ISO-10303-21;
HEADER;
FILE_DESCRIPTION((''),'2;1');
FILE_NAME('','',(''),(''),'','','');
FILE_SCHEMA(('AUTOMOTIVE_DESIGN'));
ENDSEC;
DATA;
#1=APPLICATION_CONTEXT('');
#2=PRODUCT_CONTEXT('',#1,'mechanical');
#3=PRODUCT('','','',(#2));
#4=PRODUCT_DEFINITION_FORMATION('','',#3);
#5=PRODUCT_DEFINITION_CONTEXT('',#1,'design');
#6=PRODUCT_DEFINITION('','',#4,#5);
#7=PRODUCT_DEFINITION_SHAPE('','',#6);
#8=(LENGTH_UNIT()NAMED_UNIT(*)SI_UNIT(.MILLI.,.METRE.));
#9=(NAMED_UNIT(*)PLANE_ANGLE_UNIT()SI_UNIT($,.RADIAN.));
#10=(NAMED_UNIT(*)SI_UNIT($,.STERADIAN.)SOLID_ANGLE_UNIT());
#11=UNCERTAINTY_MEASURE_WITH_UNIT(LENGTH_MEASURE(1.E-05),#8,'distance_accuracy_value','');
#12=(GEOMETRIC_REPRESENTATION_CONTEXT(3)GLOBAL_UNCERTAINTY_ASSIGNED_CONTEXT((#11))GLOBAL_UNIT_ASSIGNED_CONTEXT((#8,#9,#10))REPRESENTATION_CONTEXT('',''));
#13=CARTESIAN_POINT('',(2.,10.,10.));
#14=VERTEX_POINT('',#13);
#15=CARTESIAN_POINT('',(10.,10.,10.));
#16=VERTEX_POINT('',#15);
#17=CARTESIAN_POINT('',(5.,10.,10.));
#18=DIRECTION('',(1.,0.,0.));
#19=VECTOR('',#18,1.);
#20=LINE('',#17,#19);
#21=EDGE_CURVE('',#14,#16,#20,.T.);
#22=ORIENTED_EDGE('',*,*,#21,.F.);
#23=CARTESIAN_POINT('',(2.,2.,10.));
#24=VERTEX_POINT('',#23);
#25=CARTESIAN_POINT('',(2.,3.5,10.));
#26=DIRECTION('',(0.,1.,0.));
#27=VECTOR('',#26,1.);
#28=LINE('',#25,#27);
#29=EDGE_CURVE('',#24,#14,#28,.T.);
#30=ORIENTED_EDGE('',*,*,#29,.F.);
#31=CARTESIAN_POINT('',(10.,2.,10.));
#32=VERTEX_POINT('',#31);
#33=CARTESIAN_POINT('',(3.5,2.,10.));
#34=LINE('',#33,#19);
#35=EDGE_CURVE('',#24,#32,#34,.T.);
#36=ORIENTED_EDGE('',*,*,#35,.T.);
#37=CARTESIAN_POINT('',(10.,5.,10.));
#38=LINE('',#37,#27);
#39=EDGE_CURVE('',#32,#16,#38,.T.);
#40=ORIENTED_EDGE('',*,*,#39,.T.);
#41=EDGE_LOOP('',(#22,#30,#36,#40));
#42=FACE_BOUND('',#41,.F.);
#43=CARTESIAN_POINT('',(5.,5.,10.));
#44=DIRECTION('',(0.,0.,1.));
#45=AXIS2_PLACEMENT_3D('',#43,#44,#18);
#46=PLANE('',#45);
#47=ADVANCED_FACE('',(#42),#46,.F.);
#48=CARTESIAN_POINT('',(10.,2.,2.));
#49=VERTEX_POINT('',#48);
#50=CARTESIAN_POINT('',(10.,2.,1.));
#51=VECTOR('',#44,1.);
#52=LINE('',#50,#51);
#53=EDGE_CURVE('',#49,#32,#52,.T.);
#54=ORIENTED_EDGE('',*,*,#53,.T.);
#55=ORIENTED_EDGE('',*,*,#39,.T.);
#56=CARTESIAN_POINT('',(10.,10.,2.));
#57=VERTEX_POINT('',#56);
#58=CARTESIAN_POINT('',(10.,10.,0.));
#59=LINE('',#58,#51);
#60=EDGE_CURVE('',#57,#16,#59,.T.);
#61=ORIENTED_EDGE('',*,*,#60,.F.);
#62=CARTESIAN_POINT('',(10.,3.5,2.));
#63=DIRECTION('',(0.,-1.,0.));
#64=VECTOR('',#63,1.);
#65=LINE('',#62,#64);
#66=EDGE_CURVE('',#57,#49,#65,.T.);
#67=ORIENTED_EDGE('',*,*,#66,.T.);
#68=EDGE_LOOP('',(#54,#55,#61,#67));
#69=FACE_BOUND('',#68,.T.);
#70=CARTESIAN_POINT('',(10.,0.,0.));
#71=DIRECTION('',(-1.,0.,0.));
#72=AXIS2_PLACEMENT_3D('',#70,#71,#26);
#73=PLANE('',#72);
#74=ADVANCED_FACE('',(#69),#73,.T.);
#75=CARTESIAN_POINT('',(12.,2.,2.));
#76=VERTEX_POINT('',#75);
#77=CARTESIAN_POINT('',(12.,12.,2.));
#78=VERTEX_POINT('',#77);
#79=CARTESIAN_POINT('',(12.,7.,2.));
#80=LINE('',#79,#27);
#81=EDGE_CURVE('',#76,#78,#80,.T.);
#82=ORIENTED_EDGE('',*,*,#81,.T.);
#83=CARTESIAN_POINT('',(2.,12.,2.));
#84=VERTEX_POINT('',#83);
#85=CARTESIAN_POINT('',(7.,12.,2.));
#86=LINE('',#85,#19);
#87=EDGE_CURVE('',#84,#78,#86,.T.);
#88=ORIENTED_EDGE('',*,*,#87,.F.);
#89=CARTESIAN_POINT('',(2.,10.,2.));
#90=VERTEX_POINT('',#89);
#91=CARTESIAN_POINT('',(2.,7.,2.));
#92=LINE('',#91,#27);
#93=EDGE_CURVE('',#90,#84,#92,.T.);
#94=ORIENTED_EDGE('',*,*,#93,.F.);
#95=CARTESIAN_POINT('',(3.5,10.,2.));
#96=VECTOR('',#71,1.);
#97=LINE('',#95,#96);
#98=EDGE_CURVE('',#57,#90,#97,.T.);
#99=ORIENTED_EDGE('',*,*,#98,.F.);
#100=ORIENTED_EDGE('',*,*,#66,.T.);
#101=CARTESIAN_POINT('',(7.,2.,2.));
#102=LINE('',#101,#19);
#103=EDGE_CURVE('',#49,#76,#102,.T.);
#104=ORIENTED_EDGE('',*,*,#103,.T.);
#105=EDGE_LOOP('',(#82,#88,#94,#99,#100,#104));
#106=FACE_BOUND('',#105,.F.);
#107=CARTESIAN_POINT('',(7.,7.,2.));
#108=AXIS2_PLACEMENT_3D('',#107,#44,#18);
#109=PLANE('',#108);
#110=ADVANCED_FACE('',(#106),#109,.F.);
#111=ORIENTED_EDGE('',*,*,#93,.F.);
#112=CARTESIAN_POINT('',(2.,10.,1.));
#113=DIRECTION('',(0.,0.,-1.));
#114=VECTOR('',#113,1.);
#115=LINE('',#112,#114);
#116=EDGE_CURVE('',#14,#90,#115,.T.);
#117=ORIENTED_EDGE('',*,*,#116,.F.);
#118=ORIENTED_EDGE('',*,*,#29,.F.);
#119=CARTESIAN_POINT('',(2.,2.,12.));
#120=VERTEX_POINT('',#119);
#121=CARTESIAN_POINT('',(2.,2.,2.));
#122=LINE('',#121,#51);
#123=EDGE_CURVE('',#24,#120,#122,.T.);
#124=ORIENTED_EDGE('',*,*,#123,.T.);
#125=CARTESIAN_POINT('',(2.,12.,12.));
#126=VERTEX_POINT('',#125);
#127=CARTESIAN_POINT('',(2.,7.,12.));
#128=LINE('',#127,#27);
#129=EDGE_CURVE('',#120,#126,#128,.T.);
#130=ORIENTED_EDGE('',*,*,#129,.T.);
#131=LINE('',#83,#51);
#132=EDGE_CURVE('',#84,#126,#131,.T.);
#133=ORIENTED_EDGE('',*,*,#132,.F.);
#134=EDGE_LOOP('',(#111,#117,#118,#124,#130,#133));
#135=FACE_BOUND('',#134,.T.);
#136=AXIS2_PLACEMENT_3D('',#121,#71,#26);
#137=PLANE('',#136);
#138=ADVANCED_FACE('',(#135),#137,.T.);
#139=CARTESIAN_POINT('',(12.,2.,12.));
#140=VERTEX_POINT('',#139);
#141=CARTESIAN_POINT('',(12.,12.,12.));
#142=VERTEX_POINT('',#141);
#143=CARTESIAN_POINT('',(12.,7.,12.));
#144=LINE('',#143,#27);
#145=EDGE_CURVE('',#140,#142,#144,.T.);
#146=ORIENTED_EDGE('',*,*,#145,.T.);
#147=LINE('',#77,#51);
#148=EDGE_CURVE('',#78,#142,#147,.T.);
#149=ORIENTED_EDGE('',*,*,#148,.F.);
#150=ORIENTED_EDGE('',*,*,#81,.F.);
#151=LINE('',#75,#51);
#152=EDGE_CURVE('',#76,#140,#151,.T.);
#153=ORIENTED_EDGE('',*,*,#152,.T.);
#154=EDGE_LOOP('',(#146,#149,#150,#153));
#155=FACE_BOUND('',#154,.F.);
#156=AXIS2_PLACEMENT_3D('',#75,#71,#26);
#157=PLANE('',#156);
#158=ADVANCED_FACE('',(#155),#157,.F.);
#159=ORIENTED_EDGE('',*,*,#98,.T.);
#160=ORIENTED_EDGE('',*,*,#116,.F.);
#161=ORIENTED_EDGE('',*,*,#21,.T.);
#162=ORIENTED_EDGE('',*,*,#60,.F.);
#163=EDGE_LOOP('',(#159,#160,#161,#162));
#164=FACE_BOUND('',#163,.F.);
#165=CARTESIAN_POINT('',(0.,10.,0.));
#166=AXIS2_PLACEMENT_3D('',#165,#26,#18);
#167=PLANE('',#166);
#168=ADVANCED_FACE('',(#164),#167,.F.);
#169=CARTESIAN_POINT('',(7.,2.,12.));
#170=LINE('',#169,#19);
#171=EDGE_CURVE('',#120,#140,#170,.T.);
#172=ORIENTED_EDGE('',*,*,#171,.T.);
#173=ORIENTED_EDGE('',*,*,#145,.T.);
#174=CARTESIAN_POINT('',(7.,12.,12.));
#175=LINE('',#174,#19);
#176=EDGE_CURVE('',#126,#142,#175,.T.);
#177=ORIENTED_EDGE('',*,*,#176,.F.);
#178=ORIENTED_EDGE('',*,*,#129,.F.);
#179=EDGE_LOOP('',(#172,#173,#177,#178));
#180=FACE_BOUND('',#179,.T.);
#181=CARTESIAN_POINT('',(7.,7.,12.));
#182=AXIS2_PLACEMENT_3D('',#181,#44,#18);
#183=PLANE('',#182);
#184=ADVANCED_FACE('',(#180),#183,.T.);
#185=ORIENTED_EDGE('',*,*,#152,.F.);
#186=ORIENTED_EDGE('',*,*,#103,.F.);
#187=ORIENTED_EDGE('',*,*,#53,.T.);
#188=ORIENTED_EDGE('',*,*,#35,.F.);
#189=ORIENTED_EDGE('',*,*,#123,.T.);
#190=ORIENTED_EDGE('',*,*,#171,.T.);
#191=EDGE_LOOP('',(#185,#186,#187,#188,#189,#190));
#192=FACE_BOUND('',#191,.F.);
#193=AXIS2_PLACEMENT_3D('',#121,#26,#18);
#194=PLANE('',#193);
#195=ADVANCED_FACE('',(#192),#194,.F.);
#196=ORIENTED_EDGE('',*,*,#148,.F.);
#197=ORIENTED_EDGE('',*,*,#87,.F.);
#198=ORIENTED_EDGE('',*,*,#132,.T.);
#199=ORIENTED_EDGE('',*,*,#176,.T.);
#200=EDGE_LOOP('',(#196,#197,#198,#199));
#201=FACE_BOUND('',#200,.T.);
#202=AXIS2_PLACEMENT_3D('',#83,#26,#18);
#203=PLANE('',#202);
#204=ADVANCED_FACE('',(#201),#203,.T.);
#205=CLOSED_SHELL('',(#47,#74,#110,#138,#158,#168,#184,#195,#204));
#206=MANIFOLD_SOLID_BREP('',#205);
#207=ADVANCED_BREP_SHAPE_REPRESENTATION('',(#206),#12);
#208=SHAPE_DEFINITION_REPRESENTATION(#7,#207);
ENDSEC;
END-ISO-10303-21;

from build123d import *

# Parameters (mm, degrees)
BOX_W        = 10
BOX_H        = 10
BOX_DEPTH    = 10
BOX001_W     = 10
BOX001_H     = 10
BOX001_DEPTH = 10


with BuildPart() as cub_base:
    # Box → Box (new body)
    with BuildSketch(Plane.XY):
        with Locations((5, 5)):
            Rectangle(BOX_W, BOX_H)
    extrude(amount=BOX_DEPTH)


with BuildPart() as cut:
    # Box001 → Box001 (new body)
    with BuildSketch(Plane(origin=(2, 2, 2), x_dir=(1, 0, 0), z_dir=(0, 0, 1))):
        with Locations((5, 5)):
            Rectangle(BOX001_W, BOX001_H)
    extrude(amount=BOX001_DEPTH)

    # Cut: cut Cub-Base
    add(cub_base.part, mode=Mode.SUBTRACT)


solid = cut.part
